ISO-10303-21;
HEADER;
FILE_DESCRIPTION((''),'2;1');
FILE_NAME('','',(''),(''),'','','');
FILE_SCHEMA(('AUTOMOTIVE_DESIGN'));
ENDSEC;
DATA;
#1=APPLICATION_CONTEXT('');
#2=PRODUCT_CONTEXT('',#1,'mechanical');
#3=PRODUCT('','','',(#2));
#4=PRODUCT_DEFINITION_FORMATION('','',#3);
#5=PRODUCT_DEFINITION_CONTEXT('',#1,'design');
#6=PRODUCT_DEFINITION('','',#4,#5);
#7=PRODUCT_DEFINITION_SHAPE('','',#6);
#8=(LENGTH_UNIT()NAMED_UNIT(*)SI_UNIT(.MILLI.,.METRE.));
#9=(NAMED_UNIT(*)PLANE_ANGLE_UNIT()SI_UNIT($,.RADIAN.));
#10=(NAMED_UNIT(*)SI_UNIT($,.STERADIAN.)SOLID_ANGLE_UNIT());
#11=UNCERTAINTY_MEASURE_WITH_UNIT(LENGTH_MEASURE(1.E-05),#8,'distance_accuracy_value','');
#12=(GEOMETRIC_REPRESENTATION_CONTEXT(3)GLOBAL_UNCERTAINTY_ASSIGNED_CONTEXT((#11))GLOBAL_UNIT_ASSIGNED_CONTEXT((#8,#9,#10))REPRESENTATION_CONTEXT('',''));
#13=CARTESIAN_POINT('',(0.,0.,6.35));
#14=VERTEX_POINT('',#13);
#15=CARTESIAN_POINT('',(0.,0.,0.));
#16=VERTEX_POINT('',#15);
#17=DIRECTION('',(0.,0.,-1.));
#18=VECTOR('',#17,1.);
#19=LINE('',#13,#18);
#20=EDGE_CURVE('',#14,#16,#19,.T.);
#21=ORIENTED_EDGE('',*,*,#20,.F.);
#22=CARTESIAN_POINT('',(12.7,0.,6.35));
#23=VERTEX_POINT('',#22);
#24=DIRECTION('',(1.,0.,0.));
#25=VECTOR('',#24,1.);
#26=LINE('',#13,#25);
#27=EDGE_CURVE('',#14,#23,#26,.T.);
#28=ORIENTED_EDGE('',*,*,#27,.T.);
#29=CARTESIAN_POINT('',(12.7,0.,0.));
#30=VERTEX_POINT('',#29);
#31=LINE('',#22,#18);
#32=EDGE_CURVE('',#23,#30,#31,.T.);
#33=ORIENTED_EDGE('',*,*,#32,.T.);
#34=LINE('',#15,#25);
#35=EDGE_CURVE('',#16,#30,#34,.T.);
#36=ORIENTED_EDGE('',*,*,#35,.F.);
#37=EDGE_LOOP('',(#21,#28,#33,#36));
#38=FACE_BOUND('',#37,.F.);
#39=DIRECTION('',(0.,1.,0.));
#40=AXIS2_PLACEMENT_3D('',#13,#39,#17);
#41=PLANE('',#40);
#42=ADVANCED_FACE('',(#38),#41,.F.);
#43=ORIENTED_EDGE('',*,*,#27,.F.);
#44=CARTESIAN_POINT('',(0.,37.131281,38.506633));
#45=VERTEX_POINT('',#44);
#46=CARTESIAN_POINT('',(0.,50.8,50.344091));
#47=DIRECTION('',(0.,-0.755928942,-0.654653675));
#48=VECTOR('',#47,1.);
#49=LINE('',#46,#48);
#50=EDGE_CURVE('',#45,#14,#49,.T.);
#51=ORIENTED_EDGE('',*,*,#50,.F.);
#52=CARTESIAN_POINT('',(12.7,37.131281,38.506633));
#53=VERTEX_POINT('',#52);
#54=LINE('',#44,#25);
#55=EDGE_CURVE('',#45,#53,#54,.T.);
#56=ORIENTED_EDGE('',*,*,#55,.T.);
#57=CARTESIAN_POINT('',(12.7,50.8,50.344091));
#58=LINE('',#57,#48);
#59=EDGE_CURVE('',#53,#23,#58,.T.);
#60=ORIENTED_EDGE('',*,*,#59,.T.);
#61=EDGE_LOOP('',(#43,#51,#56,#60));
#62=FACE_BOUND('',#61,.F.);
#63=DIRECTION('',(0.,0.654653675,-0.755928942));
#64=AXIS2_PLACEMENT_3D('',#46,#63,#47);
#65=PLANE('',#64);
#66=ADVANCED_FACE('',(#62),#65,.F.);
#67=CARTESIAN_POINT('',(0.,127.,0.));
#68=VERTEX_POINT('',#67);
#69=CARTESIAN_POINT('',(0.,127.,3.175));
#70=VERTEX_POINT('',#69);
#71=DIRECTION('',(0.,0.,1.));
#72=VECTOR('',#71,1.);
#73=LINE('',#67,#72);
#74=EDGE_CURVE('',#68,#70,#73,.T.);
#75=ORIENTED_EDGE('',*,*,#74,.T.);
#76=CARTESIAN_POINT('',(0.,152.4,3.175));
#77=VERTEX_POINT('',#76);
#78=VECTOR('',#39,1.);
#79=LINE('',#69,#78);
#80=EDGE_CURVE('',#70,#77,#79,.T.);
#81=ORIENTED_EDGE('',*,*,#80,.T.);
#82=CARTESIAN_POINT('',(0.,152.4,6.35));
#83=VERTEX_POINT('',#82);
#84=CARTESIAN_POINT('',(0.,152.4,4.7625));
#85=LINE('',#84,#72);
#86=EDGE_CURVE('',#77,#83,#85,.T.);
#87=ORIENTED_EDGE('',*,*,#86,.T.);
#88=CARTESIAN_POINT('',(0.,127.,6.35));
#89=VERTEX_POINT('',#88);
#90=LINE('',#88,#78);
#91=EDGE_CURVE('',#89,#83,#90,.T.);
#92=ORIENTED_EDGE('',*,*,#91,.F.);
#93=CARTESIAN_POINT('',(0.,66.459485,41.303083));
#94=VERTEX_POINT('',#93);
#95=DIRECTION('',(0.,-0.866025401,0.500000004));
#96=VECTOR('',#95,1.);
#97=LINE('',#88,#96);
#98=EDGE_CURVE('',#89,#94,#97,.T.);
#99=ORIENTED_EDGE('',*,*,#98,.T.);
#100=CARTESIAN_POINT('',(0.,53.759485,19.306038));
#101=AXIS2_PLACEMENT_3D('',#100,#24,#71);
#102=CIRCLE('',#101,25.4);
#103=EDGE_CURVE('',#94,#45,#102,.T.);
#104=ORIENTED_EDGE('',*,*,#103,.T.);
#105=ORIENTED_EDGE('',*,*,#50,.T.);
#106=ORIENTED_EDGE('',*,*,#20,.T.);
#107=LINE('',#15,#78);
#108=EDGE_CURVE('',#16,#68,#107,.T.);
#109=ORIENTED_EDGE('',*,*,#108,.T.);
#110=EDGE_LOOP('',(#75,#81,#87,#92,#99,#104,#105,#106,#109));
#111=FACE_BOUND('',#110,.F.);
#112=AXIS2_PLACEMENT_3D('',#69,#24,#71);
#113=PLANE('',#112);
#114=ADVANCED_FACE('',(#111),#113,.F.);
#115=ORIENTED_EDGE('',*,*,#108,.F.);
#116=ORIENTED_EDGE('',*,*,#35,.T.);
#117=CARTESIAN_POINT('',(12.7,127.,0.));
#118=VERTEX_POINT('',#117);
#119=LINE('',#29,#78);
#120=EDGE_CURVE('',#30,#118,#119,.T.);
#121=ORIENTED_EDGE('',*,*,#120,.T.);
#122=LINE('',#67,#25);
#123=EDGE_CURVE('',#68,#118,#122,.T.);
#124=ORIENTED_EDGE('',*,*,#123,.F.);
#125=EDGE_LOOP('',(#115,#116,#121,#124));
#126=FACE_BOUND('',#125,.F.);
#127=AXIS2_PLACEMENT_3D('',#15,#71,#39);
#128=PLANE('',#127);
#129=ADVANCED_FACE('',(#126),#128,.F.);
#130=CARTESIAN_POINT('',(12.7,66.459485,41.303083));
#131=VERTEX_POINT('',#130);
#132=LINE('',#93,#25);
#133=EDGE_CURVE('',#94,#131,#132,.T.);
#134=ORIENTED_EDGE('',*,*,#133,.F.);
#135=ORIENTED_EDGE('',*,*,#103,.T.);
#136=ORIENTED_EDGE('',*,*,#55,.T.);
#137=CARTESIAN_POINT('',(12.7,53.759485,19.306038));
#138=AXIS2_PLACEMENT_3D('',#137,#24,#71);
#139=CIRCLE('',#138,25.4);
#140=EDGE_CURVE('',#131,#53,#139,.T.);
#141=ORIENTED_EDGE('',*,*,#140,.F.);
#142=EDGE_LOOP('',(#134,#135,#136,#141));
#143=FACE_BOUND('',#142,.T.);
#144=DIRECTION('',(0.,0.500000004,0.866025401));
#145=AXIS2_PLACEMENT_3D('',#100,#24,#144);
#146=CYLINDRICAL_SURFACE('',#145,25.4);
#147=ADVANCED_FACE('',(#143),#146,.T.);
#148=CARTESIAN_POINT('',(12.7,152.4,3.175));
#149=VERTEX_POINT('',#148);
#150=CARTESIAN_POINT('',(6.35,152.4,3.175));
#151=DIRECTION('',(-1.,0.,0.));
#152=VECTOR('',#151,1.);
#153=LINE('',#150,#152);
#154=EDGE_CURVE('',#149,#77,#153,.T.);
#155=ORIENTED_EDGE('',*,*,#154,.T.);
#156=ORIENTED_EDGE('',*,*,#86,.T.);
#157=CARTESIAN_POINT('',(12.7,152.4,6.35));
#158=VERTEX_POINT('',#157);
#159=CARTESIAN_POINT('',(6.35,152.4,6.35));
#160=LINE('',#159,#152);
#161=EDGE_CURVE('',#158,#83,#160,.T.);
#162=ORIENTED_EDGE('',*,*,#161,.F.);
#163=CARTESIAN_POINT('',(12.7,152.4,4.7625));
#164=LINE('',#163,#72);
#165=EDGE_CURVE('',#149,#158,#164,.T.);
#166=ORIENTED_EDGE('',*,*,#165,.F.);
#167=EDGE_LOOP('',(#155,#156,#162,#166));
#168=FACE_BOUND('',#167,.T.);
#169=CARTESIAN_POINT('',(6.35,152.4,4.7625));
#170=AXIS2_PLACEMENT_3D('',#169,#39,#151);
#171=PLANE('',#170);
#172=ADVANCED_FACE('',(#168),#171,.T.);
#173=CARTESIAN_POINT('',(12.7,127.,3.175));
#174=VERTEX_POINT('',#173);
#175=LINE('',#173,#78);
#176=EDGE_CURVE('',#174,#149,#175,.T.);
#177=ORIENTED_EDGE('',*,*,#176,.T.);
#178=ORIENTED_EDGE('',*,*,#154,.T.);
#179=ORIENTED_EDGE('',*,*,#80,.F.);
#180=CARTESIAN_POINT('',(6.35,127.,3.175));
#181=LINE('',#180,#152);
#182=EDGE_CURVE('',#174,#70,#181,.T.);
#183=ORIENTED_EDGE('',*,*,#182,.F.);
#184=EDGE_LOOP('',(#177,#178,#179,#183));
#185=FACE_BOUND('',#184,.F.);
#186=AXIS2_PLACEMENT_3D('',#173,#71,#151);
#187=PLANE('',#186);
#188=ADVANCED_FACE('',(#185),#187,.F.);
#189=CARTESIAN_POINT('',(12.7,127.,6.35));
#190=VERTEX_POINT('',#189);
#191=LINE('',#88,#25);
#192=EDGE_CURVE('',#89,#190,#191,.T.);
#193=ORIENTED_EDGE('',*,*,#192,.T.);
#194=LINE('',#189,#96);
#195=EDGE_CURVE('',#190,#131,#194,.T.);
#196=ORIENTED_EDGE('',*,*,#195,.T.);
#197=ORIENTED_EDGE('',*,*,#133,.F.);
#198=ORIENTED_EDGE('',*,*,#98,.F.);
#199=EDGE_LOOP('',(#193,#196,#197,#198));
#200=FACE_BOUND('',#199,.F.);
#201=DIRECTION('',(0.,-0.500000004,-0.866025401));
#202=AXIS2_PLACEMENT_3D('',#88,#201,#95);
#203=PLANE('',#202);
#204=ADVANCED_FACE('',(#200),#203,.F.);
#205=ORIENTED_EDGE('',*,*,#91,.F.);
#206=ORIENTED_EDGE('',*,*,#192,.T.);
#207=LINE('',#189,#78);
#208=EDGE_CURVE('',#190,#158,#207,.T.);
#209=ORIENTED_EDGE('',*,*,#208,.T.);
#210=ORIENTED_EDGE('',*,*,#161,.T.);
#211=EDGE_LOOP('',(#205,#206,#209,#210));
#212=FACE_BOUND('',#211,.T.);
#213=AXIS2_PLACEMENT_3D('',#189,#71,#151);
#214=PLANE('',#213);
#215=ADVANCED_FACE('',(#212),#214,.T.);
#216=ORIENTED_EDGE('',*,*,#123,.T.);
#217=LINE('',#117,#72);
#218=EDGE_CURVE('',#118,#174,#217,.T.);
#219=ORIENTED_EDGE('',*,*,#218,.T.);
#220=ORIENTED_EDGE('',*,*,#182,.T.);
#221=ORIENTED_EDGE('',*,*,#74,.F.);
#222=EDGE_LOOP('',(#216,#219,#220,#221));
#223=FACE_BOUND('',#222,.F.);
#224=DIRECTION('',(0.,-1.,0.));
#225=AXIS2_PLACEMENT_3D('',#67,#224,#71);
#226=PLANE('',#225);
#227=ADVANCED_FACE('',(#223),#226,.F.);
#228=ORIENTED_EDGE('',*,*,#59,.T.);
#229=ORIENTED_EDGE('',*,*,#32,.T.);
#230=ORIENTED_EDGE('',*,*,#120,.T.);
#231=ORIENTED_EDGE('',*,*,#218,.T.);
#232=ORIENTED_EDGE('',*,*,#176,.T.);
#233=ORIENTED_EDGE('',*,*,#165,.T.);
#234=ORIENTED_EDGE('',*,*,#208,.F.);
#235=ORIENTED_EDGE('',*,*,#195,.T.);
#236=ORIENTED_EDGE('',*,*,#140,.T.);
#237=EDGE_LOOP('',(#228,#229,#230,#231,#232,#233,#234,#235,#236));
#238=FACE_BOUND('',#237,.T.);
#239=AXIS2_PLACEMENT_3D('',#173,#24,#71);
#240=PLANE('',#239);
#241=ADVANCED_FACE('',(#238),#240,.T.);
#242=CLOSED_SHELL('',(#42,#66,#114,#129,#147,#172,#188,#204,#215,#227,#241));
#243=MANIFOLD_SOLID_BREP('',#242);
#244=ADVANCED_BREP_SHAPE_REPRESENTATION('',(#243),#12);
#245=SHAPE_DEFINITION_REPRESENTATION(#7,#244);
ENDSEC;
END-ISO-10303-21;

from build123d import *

# Parameters (mm, degrees)
F1_DEPTH = 12.7
F2_R     = 25.4
F3_W     = 12.7
F3_H     = 3.175
F4_DEPTH = 25.4


with BuildPart() as f1:
    # F0 (on Right) → F1 (new body)
    with BuildSketch(Plane.YZ):
        Polygon((0, 6.35), (0, 0), (127, 0), (127, 6.35), (50.8, 50.344091), align=None)
    extrude(amount=F1_DEPTH)

    # F2
    f2_edges = [f1.edges().sort_by_distance(p)[0] for p in [
        (6.35, 50.8, 50.344091),
    ]]
    fillet(f2_edges, radius=F2_R)

    # F3 (on face) → F4 (join)
    with BuildSketch(Plane(origin=(0, 127, 0), x_dir=(-1, 0, 0), z_dir=(0, 1, 0))):
        with Locations((-6.35, 4.7625)):
            Rectangle(F3_W, F3_H)
    extrude(amount=F4_DEPTH)


solid = f1.part
